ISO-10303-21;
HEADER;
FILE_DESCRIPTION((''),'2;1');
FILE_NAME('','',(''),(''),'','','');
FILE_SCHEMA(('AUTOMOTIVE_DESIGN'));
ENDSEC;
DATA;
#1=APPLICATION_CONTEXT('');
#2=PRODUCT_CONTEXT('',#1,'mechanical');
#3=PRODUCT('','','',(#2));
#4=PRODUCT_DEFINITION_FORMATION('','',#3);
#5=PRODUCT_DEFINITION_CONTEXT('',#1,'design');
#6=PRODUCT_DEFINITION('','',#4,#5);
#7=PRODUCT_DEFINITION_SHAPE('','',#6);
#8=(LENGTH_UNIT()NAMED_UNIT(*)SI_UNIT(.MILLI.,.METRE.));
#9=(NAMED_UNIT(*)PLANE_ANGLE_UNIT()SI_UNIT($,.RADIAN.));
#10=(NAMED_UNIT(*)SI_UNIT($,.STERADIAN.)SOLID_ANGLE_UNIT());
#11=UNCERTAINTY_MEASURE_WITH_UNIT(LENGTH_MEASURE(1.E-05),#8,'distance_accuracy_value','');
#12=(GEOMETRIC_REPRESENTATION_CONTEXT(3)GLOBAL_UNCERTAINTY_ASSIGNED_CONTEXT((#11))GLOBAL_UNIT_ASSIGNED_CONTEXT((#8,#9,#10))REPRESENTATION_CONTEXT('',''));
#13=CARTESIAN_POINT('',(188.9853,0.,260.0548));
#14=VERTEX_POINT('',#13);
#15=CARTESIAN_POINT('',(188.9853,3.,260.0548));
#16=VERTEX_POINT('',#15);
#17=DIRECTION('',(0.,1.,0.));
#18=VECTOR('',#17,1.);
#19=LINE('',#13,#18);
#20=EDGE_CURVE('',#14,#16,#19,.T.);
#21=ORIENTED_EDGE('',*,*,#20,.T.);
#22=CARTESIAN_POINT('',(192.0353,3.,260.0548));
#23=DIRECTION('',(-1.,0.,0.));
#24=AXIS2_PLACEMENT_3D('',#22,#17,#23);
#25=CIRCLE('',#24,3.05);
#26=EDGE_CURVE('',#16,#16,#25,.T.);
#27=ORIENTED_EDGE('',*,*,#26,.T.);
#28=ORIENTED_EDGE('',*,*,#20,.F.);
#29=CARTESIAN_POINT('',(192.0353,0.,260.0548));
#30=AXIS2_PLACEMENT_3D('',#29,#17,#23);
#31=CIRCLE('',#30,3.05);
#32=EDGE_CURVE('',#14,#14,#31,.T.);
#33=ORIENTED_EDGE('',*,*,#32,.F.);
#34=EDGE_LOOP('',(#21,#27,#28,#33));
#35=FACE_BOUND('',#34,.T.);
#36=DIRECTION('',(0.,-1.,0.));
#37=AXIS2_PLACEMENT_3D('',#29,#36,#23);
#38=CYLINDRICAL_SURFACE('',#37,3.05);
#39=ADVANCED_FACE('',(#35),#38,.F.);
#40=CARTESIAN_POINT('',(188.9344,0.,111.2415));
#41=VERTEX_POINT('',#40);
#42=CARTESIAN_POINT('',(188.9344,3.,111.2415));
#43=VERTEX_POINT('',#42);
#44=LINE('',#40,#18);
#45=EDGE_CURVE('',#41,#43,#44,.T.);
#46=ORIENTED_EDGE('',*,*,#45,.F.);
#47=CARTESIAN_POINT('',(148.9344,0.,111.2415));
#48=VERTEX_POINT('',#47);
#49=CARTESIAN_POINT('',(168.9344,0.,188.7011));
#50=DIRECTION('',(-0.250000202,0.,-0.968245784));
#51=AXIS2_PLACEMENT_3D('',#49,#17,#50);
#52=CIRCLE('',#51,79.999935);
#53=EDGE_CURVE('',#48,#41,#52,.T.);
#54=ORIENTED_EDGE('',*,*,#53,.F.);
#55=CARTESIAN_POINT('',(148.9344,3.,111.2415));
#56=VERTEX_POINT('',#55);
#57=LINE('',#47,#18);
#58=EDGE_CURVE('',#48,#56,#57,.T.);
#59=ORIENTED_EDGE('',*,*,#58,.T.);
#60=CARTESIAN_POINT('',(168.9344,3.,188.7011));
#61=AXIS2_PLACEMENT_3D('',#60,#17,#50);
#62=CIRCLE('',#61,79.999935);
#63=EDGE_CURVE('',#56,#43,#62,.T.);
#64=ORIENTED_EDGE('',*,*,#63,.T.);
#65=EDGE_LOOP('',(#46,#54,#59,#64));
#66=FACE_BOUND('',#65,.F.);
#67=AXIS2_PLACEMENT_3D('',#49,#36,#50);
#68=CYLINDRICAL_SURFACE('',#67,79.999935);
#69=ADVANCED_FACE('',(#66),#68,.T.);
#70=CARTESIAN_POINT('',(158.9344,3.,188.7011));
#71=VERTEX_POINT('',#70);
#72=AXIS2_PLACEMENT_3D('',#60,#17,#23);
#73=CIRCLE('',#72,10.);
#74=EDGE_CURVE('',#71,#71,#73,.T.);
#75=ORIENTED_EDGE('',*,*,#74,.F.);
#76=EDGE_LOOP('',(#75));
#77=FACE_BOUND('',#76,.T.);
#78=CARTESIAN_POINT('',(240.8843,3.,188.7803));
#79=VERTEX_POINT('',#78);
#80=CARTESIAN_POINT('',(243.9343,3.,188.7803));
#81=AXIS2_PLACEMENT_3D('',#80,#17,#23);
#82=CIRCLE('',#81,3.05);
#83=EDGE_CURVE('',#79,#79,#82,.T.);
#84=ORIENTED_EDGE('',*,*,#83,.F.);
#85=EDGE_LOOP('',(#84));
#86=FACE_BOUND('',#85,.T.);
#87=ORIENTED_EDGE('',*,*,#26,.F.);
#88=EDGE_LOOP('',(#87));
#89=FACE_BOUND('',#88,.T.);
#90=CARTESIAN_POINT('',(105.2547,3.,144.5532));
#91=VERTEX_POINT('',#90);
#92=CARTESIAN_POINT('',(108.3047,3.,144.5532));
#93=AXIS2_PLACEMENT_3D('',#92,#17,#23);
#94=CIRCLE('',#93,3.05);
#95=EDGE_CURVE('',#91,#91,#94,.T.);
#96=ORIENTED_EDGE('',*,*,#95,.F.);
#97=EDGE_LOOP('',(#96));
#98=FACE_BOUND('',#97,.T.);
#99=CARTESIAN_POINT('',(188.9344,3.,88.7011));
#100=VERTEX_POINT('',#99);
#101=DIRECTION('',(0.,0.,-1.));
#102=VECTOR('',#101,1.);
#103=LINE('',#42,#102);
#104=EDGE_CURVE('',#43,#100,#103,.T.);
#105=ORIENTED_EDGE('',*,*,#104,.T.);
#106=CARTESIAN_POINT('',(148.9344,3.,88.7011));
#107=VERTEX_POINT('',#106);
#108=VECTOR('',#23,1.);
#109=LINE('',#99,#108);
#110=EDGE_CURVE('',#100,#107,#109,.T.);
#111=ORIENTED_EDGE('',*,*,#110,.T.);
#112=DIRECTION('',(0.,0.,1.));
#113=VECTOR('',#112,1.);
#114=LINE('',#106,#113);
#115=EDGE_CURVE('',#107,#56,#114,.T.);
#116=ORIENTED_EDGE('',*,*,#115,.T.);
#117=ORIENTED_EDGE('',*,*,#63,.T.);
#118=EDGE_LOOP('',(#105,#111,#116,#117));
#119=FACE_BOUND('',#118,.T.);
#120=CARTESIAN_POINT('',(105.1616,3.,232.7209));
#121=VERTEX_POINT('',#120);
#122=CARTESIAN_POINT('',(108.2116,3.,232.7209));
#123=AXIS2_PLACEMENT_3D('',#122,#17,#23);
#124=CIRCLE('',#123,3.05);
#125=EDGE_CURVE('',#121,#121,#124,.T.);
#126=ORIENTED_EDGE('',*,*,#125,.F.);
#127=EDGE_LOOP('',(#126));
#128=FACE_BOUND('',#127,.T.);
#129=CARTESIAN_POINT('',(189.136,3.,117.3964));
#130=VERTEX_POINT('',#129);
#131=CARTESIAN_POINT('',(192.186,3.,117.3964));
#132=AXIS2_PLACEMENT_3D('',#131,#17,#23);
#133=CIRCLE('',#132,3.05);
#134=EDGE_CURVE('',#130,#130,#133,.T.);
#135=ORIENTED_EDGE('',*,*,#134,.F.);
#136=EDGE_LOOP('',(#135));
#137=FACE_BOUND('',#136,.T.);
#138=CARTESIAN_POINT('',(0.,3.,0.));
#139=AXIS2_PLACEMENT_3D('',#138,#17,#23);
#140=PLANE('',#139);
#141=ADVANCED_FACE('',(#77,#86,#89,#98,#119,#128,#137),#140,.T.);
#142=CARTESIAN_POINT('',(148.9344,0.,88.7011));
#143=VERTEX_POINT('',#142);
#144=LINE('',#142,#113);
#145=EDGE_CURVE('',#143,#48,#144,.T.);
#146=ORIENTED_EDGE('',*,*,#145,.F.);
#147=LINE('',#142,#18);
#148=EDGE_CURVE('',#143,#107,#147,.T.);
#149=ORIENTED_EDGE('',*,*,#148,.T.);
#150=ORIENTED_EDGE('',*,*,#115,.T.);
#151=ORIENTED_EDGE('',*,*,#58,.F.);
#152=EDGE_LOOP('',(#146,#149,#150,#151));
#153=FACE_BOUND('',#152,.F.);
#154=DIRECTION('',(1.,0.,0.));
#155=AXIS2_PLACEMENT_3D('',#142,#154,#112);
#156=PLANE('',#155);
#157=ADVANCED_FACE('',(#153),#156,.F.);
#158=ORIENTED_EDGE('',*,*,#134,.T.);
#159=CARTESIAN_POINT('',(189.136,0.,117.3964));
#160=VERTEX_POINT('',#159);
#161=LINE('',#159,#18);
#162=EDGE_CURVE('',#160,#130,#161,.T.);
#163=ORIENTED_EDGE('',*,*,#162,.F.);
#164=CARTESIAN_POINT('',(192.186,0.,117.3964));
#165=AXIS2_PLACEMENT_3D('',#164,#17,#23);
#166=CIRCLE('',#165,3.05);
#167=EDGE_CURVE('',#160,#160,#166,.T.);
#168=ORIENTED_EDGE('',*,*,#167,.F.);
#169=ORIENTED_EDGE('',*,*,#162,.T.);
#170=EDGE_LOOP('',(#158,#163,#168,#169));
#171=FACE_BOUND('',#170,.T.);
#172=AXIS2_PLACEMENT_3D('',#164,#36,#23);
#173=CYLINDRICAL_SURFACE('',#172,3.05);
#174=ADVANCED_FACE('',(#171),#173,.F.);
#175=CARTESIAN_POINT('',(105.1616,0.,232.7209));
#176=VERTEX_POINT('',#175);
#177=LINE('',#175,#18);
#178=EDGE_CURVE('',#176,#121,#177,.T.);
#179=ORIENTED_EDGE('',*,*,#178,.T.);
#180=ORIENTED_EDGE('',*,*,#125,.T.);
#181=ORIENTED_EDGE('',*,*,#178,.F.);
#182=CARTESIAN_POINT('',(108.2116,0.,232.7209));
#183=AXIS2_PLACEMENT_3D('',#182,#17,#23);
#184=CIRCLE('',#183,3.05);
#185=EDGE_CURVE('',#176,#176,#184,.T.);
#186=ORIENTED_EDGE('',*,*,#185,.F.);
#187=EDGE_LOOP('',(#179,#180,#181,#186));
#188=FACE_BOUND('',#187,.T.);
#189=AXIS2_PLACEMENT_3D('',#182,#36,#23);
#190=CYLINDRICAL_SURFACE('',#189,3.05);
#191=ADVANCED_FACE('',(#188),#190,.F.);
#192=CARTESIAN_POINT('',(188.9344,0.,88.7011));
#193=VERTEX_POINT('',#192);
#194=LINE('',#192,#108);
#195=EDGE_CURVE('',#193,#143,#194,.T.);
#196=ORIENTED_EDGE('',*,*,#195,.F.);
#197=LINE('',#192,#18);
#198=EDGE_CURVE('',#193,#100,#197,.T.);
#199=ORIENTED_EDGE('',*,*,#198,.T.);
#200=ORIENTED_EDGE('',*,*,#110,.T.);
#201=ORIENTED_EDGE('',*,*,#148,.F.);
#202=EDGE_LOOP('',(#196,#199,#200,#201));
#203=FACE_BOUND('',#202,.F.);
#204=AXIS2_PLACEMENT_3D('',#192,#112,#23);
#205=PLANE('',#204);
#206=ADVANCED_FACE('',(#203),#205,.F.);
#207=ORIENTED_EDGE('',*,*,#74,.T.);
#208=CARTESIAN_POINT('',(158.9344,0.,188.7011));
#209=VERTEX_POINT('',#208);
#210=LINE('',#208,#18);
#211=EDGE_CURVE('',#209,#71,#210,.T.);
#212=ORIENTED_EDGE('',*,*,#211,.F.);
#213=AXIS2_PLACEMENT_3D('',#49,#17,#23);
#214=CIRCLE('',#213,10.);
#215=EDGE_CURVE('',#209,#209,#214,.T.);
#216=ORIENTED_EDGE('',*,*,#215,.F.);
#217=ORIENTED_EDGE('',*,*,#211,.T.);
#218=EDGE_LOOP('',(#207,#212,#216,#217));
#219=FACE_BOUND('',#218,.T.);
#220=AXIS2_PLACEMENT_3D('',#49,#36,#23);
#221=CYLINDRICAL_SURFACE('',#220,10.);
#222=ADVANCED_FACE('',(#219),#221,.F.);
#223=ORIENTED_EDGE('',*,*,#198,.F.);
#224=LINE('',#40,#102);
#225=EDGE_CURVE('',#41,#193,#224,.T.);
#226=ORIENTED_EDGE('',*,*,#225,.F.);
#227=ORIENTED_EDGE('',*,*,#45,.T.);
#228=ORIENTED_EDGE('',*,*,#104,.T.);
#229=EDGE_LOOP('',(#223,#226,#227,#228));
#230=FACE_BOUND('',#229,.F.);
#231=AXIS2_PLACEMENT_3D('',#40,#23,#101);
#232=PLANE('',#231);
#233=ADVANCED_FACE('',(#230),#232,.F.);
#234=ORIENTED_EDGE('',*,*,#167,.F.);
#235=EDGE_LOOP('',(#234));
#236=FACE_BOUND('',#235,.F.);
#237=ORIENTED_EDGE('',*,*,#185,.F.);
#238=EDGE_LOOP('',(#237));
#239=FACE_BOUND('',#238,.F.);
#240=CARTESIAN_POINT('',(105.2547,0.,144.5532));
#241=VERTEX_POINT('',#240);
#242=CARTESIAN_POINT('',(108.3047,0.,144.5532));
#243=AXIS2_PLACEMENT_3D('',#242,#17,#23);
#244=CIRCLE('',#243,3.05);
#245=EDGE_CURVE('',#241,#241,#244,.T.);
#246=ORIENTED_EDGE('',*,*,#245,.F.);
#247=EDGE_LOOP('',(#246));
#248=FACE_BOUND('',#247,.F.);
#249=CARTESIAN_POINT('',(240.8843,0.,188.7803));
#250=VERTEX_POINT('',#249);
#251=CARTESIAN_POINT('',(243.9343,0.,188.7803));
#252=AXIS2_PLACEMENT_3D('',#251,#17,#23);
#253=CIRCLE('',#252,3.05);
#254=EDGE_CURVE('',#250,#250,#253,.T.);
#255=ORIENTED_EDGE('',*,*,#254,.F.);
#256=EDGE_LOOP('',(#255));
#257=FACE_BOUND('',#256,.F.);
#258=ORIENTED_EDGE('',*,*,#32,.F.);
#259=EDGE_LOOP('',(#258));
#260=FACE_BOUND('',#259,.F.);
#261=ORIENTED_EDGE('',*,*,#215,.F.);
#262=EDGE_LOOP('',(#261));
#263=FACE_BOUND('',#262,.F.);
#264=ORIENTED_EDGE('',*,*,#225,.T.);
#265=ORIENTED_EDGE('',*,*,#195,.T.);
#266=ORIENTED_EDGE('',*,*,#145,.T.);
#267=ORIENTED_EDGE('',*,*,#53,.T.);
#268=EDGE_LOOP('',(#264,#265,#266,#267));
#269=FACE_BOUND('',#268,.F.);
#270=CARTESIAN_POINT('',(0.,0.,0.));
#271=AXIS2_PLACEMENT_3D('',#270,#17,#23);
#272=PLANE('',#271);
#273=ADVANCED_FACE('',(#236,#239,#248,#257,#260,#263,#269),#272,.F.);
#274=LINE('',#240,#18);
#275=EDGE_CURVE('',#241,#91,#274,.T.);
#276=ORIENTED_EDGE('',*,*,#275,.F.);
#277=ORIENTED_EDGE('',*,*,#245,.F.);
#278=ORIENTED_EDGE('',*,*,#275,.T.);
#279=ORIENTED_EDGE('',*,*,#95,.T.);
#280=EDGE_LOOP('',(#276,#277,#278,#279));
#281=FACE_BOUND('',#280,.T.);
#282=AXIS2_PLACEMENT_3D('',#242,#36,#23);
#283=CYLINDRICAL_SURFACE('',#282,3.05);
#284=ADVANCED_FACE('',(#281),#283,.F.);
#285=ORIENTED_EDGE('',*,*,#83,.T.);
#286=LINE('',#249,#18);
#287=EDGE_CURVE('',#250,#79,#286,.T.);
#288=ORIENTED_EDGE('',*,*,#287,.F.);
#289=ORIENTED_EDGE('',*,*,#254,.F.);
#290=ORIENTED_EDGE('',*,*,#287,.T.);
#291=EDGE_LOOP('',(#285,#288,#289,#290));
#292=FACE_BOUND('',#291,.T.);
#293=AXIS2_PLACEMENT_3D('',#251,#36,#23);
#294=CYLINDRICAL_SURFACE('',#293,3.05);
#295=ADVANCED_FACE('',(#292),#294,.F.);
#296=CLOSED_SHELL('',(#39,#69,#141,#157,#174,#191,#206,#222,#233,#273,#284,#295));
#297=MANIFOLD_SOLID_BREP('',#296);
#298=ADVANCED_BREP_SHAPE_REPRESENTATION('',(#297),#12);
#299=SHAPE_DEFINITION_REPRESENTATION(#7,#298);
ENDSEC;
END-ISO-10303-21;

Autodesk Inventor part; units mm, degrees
ref_plane "YZ Plane" through (0, 0, 0) normal (1, 0, 0) x (0, 1, 0)
ref_plane "XZ Plane" through (0, 0, 0) normal (0, 1, 0) x (-1, 0, 0)
ref_plane "XY Plane" through (0, 0, 0) normal (0, 0, 1) x (1, 0, 0)
sketch "Эскиз1" plane through (0, 0, 0) normal (0, 1, 0) x (-1, 0, 0)
  circle A0 centre (-168.9344, 188.7011) radius 75 construction
  circle A1 centre (-108.2116, 232.7209) radius 3.05
  circle A2 centre (-192.0353, 260.0548) radius 3.05
  circle A3 centre (-243.9343, 188.7803) radius 3.05
  circle A4 centre (-192.186, 117.3964) radius 3.05
  circle A5 centre (-108.3047, 144.5532) radius 3.05
  arc A6 (-148.9344, 111.2415) -> (-188.9344, 111.2415) centre (-168.9344, 188.7011) ccw
  line L0 (-188.9344, 88.7011) -> (-148.9344, 88.7011)
  line L1 (-148.9344, 88.7011) -> (-148.9344, 111.2415)
  line L2 (-188.9344, 111.2415) -> (-188.9344, 88.7011)
  circle A7 centre (-168.9344, 188.7011) radius 10
  point P0 (0, 0)
  dimension "d4" = 150
  dimension "d5" = 6.1
  dimension "d8" = 360
  dimension "d10" = 160
  dimension "d13" = 20
  dimension "d14" = 40
  dimension "d15" = 100
  dimension "d16" = 20
extrude "Выдавливание1" add sketch "Эскиз1" along normal blind 3
equation "\"d5\" = d_main_screw_holes"
equation "\"d13\" = 0.5 * hight_coxa"
equation "\"d14\" = hight_coxa"
equation "\"d15\" = length_coxa"
equation "\"d16\" = d_main_shaft"
equation "\"d2\" = thickness_steel"
equation "\"tolerance_plazma\" = 0.1"
equation "\"thickness_steel\" = 3"
equation "\"d_main_screw_holes\" = 6.1"
equation "\"d_main_shaft\" = 20"
equation "\"thickness_profile_tibea\" = 3"
equation "\"hight_shaft_shift\" = 37"
equation "\"thickness_profile_femur\" = 3"
equation "\"width_shaft_shift\" = 35"
equation "\"width_flattened_surface\" = 12"
equation "\"length_coxa\" = 100"
equation "\"hight_coxa\" = 40"
properties part number "femur_motor_steel" material "Сталь"
